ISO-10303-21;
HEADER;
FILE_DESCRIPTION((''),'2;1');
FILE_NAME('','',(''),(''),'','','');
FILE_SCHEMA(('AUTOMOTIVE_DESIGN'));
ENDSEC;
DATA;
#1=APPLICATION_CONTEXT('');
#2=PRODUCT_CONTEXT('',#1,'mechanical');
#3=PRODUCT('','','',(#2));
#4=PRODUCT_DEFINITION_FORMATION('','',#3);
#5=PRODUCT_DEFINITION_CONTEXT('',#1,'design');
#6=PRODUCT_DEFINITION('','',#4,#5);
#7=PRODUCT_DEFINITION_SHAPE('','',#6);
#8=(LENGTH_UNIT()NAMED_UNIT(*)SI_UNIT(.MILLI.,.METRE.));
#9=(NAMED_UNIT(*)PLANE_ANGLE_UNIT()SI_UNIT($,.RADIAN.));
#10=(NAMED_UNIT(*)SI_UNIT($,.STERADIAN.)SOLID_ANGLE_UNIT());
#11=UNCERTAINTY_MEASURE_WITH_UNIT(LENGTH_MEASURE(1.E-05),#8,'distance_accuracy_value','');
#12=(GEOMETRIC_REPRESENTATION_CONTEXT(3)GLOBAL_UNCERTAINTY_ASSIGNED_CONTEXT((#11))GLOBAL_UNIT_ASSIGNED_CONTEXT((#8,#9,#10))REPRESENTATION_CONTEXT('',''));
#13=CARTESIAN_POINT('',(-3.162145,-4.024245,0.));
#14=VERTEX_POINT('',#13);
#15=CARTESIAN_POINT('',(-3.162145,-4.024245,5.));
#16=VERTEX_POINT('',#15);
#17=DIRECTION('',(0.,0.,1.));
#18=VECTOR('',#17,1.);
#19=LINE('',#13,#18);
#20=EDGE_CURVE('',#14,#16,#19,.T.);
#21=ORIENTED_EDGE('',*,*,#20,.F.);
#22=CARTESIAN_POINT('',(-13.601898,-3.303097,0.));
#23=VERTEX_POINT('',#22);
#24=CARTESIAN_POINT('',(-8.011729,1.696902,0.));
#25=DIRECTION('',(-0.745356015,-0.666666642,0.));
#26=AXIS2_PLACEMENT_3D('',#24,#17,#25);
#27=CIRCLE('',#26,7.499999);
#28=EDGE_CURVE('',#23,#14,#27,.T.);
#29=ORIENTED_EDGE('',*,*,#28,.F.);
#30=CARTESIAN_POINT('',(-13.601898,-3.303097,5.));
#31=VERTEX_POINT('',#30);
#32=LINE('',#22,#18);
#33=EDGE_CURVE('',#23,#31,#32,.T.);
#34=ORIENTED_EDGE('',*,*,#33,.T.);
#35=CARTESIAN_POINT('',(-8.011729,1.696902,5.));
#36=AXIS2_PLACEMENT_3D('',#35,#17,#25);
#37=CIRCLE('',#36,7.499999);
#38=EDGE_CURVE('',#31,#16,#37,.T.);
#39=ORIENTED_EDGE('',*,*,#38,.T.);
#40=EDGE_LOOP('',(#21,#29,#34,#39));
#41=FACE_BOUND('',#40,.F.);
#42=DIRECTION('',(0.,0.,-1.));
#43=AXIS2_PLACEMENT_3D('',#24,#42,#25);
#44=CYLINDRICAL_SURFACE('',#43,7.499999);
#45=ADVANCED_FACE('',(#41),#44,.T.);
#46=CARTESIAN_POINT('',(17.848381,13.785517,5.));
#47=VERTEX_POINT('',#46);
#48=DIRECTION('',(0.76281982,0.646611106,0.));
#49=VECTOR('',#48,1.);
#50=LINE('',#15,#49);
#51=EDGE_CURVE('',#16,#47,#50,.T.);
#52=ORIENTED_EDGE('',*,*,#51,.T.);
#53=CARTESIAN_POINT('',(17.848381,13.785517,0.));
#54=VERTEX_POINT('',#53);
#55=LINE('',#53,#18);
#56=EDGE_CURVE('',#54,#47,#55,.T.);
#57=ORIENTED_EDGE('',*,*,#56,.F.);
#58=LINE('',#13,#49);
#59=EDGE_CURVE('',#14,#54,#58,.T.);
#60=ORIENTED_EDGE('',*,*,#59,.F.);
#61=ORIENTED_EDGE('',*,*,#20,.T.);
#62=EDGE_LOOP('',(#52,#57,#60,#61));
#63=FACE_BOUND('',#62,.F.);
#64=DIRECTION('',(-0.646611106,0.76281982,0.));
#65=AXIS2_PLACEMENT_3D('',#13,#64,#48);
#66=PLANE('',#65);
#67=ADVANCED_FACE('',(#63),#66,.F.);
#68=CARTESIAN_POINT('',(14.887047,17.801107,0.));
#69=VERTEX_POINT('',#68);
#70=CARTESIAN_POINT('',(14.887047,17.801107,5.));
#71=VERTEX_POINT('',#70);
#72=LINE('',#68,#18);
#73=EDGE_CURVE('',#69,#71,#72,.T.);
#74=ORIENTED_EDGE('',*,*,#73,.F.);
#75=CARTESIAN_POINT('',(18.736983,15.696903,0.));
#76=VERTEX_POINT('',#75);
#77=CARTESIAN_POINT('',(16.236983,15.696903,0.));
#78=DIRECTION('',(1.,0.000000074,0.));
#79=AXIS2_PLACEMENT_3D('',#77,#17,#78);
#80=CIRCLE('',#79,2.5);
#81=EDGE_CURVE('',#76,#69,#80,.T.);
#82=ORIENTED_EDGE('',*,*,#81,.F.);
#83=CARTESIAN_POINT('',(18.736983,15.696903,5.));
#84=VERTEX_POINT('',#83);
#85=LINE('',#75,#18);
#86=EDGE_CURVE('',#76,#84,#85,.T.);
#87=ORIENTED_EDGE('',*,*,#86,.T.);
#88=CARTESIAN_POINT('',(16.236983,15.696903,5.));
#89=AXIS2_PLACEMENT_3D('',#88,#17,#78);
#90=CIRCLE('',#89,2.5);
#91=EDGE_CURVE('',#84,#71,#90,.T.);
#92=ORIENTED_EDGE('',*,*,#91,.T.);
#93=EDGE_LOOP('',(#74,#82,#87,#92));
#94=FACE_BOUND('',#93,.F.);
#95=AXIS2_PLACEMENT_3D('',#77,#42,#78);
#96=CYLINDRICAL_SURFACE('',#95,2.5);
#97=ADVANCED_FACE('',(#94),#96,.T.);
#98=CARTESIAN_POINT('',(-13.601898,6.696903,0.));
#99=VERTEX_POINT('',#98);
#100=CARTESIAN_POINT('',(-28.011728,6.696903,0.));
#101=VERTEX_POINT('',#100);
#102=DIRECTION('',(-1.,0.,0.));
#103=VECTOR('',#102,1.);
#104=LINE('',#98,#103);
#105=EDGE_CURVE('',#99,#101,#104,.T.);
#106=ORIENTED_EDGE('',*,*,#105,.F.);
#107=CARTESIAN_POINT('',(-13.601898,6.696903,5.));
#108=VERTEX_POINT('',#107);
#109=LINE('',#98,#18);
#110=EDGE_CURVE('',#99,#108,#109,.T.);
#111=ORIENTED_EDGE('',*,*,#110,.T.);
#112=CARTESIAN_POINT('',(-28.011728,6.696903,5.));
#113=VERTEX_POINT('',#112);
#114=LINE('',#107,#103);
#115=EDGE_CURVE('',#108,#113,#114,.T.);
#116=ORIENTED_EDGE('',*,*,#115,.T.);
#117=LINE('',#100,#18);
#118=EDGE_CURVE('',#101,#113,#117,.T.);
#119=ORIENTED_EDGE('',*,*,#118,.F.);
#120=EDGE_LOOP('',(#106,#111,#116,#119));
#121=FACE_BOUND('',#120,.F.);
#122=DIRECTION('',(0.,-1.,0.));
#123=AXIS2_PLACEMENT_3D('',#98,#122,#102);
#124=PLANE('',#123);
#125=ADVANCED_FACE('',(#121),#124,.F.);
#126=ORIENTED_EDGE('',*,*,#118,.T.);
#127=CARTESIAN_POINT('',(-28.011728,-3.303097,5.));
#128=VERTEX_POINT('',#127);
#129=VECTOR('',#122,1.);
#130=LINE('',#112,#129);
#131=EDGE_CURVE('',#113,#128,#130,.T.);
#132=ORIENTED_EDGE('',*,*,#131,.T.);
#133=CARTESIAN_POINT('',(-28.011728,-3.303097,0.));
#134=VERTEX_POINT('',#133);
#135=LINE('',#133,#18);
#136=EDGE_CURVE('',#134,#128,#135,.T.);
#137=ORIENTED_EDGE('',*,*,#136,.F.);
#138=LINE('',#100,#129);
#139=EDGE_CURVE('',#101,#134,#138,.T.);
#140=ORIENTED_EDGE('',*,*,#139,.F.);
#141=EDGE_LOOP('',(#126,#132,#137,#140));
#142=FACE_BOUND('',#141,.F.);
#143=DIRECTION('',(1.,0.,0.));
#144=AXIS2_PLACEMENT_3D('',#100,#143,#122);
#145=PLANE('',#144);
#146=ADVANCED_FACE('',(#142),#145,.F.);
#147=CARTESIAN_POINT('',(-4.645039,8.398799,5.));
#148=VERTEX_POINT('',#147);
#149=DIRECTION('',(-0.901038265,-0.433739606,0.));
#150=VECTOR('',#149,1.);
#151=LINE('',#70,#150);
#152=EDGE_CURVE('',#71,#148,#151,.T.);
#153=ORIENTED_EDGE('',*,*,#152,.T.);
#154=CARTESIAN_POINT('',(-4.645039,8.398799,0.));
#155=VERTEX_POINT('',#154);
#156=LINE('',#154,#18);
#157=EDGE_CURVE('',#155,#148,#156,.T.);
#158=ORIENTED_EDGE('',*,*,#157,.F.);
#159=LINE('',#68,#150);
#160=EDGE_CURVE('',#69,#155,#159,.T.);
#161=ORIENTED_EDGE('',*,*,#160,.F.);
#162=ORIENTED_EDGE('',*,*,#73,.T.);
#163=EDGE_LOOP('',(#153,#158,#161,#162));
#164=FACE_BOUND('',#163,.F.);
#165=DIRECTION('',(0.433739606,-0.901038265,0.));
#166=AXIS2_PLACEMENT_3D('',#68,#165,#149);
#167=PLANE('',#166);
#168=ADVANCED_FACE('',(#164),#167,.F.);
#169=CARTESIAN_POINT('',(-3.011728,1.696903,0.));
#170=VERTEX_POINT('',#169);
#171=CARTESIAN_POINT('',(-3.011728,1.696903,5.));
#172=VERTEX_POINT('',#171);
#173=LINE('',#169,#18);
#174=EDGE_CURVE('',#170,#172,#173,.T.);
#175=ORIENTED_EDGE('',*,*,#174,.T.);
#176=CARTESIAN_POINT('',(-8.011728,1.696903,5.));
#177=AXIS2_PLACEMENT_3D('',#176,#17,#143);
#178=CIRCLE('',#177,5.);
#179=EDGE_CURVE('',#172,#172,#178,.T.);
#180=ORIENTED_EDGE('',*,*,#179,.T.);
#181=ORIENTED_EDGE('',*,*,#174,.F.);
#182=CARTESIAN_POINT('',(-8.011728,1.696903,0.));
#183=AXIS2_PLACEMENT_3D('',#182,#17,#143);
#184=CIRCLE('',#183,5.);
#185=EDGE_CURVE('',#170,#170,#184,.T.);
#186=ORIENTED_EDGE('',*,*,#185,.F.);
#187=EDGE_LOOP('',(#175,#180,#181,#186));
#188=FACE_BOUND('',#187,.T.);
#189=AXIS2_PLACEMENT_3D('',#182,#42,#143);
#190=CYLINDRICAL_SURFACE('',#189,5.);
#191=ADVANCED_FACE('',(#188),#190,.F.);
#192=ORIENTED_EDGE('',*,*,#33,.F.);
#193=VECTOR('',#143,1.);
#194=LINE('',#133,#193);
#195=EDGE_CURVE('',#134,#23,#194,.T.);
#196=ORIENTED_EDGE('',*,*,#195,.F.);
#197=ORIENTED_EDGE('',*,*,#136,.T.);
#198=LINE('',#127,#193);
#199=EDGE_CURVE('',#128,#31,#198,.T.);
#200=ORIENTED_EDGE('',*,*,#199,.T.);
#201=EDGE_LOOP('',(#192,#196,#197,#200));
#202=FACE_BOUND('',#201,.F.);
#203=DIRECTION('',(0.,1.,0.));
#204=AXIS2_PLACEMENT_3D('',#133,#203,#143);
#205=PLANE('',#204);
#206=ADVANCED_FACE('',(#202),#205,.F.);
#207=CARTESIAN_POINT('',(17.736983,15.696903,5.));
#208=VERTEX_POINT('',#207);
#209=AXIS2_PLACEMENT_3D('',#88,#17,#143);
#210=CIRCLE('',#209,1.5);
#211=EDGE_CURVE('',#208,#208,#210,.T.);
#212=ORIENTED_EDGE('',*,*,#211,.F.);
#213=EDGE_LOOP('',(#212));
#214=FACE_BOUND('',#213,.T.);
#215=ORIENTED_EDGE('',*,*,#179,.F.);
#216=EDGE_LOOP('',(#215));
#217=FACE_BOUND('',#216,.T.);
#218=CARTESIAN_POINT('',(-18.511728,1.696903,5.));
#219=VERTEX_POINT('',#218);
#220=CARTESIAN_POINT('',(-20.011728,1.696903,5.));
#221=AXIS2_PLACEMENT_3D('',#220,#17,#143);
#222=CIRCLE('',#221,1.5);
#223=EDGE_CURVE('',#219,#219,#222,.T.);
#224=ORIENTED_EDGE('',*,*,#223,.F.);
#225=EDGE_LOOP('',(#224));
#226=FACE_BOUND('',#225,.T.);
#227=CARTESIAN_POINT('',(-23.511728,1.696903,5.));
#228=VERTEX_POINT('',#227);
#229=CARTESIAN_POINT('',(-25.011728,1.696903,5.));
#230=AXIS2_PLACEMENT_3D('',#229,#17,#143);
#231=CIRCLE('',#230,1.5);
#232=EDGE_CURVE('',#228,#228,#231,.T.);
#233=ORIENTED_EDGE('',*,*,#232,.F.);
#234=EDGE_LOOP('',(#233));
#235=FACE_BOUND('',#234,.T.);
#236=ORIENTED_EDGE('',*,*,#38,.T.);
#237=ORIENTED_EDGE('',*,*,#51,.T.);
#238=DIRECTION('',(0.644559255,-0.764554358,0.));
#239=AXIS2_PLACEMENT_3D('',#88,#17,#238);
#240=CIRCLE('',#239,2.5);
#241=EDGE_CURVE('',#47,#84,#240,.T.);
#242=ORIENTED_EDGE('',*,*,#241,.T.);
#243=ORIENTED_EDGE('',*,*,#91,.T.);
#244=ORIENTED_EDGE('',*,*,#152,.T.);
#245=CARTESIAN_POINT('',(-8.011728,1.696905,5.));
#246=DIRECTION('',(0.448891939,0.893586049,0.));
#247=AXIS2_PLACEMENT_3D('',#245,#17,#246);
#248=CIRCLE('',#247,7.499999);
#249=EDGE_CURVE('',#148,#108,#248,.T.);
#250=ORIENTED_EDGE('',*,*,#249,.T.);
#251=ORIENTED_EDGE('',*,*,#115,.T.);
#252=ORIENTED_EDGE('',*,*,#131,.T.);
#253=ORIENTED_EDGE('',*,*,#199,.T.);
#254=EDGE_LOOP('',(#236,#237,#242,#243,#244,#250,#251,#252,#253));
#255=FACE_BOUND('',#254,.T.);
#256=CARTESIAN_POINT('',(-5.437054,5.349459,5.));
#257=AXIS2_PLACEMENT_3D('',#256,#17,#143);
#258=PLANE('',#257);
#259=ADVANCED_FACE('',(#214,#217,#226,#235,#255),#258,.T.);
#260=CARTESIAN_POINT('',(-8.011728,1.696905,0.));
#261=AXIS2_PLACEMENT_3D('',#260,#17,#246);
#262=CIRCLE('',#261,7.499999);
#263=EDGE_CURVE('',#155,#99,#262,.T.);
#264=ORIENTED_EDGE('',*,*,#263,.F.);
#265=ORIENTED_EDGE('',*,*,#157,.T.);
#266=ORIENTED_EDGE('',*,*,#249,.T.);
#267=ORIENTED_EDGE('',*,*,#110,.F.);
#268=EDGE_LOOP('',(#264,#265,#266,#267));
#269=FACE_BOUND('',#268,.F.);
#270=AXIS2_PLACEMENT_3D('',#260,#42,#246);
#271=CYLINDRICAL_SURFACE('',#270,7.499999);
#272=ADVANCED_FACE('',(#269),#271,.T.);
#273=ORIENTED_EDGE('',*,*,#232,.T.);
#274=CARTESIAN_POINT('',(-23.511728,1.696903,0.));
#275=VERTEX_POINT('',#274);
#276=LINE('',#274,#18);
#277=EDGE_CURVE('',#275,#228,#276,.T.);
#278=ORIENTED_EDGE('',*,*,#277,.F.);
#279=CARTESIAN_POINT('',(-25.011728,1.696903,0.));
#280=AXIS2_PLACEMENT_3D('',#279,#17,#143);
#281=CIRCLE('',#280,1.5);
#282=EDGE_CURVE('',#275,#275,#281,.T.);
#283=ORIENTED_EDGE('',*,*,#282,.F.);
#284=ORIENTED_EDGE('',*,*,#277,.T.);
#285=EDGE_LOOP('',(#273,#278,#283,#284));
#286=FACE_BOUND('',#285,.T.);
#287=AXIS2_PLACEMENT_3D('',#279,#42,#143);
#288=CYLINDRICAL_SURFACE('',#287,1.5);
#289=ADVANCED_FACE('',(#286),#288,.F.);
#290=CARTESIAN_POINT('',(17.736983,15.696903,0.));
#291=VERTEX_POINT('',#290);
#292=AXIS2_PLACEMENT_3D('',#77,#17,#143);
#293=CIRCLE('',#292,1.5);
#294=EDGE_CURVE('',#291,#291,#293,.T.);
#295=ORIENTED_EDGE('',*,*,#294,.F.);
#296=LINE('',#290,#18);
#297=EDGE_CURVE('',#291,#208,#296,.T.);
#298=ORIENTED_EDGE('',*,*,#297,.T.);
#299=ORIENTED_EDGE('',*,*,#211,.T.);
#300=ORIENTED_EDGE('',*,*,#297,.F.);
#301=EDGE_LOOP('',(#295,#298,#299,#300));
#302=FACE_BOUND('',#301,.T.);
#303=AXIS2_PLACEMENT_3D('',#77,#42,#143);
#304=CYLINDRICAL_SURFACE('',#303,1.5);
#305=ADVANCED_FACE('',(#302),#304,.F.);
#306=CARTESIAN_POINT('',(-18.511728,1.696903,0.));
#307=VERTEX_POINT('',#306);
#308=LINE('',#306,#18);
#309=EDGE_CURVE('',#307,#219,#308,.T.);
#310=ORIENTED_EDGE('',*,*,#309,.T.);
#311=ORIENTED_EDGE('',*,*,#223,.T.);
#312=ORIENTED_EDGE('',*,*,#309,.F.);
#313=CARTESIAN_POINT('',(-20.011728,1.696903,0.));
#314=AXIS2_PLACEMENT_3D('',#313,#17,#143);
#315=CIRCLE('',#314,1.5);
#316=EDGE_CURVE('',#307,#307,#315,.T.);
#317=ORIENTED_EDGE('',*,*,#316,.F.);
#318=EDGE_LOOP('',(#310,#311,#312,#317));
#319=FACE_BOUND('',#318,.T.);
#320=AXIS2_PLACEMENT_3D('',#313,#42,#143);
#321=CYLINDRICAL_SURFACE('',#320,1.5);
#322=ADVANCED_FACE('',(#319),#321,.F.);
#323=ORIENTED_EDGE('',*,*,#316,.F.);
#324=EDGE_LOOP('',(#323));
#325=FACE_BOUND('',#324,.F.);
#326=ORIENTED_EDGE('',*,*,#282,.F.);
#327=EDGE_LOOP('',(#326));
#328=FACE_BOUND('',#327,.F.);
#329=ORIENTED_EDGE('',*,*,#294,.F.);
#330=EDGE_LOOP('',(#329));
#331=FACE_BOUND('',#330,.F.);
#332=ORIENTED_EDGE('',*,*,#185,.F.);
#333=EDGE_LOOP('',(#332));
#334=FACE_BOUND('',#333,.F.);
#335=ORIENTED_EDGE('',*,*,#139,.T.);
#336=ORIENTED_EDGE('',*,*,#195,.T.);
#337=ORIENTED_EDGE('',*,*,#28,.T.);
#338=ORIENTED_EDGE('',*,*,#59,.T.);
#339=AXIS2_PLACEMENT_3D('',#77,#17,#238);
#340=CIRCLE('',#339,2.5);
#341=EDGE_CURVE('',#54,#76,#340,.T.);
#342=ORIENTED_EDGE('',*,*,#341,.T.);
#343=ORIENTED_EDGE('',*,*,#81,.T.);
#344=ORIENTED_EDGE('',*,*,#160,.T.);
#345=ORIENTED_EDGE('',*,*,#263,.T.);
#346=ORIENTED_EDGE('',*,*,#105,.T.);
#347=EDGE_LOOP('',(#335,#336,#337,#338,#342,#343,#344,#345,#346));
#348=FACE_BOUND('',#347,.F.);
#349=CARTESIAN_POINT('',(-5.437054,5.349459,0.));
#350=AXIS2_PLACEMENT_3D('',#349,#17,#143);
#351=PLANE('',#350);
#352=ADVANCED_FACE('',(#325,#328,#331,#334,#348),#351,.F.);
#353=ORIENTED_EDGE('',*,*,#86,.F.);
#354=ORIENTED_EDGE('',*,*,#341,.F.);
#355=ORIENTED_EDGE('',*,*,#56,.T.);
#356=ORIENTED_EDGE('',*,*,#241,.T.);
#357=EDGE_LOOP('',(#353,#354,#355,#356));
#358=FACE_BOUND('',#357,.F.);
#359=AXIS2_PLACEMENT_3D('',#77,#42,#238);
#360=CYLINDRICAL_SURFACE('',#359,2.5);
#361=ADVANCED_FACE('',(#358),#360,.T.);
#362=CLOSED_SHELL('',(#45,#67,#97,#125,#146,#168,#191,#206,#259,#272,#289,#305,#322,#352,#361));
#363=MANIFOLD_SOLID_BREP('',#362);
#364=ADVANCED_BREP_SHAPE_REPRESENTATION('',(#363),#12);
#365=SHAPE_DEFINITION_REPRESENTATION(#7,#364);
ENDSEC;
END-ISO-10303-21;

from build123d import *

# Parameters (mm, degrees)
F0_R     = 1.5
F0_R_2   = 5
F1_DEPTH = 5


with BuildPart() as f1:
    # F0 (on Top) → F1 (new body)
    with BuildSketch(Plane.XY):
        with BuildLine():
            Line((-13.601898, 6.696903), (-28.011728, 6.696903))
            Line((-28.011728, 6.696903), (-28.011728, -3.303097))
            Line((-28.011728, -3.303097), (-13.601898, -3.303097))
            ThreePointArc((-13.601898, -3.303097), (-8.528575, -5.785267), (-3.162145, -4.024245))
            Line((-3.162145, -4.024245), (17.848381, 13.785517))
            ThreePointArc((17.848381, 13.785517), (14.224937, 14.213101), (14.887047, 17.801107))
            Line((14.887047, 17.801107), (-4.645039, 8.398799))
            ThreePointArc((-4.645039, 8.398799), (-9.411756, 9.065073), (-13.601898, 6.696903))
        make_face()
        with Locations((-25.011728, 1.696903)):
            Circle(F0_R, mode=Mode.SUBTRACT)
        with Locations((-20.011728, 1.696903)):
            Circle(F0_R, mode=Mode.SUBTRACT)
        with Locations((-8.011728, 1.696903)):
            Circle(F0_R_2, mode=Mode.SUBTRACT)
        with BuildLine():
            ThreePointArc((18.736983, 15.696903), (17.435974, 17.890626), (14.887047, 17.801107))
            ThreePointArc((14.887047, 17.801107), (14.224937, 14.213101), (17.848381, 13.785517))
            ThreePointArc((17.848381, 13.785517), (18.503974, 14.642981), (18.736983, 15.696903))
        make_face()
        with Locations((16.236983, 15.696903)):
            Circle(F0_R, mode=Mode.SUBTRACT)
    extrude(amount=F1_DEPTH)


solid = f1.part
